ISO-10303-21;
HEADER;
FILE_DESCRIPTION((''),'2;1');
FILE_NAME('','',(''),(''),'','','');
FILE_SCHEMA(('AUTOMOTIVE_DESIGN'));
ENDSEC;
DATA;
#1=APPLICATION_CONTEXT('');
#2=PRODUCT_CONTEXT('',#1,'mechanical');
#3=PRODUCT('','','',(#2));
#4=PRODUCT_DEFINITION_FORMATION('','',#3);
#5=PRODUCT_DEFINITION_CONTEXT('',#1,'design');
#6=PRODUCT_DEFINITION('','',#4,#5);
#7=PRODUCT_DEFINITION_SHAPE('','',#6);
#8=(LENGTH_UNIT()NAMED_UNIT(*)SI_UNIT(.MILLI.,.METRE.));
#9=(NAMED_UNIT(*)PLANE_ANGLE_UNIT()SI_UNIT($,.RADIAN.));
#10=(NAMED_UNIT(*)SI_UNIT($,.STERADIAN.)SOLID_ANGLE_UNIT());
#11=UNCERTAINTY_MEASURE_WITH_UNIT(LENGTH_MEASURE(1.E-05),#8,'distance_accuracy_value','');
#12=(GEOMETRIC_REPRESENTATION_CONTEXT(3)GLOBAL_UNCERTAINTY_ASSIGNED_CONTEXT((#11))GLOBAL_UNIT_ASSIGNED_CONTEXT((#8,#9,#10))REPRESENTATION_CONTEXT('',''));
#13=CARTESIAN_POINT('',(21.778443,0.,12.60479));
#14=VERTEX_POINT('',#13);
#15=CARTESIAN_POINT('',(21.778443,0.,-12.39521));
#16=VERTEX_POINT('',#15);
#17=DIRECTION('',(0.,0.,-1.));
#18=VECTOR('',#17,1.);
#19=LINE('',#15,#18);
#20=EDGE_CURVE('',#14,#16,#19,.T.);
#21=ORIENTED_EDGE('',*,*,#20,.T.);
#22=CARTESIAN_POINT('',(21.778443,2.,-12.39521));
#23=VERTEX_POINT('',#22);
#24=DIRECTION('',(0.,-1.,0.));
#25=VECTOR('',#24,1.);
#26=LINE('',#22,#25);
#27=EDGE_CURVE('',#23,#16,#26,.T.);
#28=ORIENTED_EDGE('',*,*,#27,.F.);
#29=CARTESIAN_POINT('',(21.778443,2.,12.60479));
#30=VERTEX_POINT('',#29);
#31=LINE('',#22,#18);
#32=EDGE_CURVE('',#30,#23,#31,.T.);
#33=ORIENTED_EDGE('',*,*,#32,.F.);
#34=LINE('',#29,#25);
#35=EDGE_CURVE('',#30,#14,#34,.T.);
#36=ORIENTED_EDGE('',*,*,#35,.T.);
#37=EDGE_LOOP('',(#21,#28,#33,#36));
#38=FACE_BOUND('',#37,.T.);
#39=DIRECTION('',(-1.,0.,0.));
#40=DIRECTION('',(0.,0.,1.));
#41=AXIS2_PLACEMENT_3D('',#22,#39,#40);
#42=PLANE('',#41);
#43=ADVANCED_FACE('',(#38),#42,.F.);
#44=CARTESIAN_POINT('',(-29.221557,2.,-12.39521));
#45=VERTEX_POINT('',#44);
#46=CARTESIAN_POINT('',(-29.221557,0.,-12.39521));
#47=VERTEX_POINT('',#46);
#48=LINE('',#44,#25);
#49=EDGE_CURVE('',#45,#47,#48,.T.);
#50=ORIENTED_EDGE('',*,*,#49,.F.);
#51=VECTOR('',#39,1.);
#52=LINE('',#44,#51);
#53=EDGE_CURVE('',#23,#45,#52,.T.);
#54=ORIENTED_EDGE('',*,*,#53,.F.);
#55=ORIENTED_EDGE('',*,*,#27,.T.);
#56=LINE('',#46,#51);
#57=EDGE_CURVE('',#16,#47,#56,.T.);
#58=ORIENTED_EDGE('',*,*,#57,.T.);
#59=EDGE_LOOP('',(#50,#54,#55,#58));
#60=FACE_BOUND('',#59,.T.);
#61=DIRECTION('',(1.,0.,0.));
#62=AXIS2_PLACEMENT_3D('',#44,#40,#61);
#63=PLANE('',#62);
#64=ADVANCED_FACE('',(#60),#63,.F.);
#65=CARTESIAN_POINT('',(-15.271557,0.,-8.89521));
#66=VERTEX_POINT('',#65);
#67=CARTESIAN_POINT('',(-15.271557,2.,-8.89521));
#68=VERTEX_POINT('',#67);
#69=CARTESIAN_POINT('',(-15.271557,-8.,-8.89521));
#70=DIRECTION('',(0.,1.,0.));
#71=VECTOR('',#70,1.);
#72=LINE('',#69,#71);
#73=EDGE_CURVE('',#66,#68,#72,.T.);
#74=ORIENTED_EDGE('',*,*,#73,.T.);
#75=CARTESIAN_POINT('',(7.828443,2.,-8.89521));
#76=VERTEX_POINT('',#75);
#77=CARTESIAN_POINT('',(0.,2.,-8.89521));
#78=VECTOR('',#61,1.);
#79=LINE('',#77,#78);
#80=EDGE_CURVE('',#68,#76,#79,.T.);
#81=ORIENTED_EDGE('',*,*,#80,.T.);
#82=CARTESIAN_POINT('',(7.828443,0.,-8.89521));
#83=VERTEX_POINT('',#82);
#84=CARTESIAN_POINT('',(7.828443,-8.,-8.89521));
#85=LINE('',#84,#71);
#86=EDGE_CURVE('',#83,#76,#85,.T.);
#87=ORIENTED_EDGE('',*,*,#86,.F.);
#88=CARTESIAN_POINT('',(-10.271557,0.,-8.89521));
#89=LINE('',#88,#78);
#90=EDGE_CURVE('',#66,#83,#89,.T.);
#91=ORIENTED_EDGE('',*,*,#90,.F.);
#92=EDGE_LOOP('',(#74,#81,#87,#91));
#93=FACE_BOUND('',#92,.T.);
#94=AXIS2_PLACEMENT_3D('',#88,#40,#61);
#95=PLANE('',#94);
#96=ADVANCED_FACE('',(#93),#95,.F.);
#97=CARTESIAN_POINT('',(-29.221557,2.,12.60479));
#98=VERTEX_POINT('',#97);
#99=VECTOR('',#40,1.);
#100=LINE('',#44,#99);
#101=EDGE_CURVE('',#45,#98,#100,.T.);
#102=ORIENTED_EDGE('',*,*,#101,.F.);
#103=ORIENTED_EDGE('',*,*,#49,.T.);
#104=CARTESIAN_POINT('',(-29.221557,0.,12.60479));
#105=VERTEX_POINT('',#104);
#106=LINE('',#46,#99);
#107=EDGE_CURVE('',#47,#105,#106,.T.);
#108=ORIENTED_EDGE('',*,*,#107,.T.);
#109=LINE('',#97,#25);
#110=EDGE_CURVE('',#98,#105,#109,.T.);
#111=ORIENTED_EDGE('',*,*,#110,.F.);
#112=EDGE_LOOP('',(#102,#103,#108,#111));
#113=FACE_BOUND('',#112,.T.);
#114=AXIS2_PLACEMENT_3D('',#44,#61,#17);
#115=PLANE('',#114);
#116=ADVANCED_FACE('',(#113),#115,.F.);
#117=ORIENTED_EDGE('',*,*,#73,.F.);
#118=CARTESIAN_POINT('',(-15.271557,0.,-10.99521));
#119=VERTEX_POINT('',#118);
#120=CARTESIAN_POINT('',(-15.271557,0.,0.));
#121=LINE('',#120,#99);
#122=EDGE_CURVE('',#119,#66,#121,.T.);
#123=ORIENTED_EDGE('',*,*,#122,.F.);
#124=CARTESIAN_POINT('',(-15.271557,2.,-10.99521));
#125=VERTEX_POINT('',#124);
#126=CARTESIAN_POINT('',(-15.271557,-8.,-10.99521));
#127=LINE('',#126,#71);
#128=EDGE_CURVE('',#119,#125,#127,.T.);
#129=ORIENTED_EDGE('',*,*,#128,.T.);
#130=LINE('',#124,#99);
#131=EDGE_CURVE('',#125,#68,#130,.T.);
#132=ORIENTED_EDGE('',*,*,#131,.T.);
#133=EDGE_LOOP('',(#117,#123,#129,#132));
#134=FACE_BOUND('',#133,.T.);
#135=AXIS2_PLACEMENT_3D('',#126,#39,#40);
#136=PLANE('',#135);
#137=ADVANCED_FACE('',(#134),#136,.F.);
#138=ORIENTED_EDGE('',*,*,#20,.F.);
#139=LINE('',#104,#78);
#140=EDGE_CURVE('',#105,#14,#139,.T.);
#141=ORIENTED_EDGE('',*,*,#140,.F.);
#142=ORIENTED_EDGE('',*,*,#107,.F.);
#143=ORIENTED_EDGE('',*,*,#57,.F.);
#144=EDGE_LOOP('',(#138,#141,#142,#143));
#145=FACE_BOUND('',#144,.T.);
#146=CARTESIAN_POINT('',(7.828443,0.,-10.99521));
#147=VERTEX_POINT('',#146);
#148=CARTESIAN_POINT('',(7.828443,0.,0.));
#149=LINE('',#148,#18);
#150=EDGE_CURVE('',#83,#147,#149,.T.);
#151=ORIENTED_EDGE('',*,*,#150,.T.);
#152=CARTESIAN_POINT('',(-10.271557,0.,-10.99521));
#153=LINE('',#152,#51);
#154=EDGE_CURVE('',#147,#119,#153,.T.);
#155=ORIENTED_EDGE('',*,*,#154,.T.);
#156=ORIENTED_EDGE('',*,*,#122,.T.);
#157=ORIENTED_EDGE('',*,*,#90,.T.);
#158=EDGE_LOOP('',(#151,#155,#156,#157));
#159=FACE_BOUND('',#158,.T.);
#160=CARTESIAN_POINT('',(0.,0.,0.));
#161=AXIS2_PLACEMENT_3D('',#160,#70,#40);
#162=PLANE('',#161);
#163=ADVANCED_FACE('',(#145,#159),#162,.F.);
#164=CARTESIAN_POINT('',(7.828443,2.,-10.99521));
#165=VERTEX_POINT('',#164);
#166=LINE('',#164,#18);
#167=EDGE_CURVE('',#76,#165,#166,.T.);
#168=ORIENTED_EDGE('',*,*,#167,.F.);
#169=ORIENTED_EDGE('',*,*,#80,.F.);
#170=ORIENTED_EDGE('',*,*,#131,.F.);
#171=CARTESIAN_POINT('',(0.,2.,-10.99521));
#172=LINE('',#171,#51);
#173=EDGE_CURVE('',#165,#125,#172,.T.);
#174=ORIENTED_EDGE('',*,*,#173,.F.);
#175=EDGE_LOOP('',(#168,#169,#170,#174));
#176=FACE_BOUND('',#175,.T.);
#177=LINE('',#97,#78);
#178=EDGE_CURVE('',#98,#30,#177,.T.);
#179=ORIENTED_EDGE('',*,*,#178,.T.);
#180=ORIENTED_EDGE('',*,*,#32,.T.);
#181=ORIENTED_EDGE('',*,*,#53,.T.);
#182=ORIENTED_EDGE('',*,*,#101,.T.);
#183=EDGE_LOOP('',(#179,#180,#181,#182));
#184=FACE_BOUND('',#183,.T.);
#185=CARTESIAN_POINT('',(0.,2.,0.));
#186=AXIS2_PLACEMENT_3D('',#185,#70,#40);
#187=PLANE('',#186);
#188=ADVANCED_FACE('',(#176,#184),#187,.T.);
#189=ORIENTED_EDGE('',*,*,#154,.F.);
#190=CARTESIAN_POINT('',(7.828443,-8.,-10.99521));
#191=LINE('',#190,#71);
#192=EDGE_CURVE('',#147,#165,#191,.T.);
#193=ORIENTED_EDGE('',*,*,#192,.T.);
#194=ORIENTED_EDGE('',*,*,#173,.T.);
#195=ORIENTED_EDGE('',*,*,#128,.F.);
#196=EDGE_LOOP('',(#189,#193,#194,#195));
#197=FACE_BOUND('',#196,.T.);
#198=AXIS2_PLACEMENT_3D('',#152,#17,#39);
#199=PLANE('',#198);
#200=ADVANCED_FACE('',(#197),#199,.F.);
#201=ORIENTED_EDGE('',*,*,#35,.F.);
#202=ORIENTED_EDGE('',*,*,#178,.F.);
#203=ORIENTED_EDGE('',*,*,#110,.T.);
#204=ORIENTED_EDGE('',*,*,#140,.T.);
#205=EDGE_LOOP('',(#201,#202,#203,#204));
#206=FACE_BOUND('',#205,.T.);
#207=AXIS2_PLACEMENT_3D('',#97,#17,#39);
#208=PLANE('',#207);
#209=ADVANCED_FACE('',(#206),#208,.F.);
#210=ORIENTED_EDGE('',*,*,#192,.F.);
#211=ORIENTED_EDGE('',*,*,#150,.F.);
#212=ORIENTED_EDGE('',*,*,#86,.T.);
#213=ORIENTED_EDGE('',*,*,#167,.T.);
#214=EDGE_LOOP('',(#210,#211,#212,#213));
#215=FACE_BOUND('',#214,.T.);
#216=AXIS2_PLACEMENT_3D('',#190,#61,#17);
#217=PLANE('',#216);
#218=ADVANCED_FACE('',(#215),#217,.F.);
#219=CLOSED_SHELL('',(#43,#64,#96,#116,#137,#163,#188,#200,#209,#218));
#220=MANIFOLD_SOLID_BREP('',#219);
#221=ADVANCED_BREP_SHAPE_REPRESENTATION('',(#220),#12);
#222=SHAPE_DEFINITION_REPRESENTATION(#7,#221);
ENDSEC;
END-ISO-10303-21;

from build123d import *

# Parameters (mm, degrees)
SKETCH1_W               = 51
SKETCH1_H               = 25
BOSS_EXTRUDE1_DEPTH     = 2
CUT_EXTRUDE1_DEPTH      = 32.886989955
CUT_EXTRUDE1_DEPTH_BACK = 32.886989955
SKETCH3_W               = 13.1
SKETCH3_H               = 2.1
SKETCH4_W               = 23.1
SKETCH4_H               = 2.1
CUT_EXTRUDE2_DEPTH      = 10


with BuildPart() as part:
    # Sketch1 → Boss-Extrude1 (new body)
    with BuildSketch(Plane(origin=(0, 0, 0), x_dir=(1, 0, 0), z_dir=(0, 1, 0))):
        with Locations((-3.721556886, -0.104790419)):
            Rectangle(SKETCH1_W, SKETCH1_H)
    extrude(amount=BOSS_EXTRUDE1_DEPTH)

    # Sketch3 → Cut-Extrude1 (cut, two sides: drawn at the far end of the back side and taken through both)
    with BuildSketch(Plane(origin=(0, 2, 0), x_dir=(1, 0, 0), z_dir=(0, 1, 0)).offset(-CUT_EXTRUDE1_DEPTH_BACK)):
        with Locations((-3.721556886, 9.945209581)):
            Rectangle(SKETCH3_W, SKETCH3_H)
    extrude(amount=CUT_EXTRUDE1_DEPTH + CUT_EXTRUDE1_DEPTH_BACK, mode=Mode.SUBTRACT)

    # Sketch4 → Cut-Extrude2 (cut)
    with BuildSketch(Plane(origin=(0, 2, 0), x_dir=(1, 0, 0), z_dir=(0, 1, 0))):
        with Locations((-3.721556886, 9.945209581)):
            Rectangle(SKETCH4_W, SKETCH4_H)
    extrude(amount=-CUT_EXTRUDE2_DEPTH, mode=Mode.SUBTRACT)


solid = part.part
